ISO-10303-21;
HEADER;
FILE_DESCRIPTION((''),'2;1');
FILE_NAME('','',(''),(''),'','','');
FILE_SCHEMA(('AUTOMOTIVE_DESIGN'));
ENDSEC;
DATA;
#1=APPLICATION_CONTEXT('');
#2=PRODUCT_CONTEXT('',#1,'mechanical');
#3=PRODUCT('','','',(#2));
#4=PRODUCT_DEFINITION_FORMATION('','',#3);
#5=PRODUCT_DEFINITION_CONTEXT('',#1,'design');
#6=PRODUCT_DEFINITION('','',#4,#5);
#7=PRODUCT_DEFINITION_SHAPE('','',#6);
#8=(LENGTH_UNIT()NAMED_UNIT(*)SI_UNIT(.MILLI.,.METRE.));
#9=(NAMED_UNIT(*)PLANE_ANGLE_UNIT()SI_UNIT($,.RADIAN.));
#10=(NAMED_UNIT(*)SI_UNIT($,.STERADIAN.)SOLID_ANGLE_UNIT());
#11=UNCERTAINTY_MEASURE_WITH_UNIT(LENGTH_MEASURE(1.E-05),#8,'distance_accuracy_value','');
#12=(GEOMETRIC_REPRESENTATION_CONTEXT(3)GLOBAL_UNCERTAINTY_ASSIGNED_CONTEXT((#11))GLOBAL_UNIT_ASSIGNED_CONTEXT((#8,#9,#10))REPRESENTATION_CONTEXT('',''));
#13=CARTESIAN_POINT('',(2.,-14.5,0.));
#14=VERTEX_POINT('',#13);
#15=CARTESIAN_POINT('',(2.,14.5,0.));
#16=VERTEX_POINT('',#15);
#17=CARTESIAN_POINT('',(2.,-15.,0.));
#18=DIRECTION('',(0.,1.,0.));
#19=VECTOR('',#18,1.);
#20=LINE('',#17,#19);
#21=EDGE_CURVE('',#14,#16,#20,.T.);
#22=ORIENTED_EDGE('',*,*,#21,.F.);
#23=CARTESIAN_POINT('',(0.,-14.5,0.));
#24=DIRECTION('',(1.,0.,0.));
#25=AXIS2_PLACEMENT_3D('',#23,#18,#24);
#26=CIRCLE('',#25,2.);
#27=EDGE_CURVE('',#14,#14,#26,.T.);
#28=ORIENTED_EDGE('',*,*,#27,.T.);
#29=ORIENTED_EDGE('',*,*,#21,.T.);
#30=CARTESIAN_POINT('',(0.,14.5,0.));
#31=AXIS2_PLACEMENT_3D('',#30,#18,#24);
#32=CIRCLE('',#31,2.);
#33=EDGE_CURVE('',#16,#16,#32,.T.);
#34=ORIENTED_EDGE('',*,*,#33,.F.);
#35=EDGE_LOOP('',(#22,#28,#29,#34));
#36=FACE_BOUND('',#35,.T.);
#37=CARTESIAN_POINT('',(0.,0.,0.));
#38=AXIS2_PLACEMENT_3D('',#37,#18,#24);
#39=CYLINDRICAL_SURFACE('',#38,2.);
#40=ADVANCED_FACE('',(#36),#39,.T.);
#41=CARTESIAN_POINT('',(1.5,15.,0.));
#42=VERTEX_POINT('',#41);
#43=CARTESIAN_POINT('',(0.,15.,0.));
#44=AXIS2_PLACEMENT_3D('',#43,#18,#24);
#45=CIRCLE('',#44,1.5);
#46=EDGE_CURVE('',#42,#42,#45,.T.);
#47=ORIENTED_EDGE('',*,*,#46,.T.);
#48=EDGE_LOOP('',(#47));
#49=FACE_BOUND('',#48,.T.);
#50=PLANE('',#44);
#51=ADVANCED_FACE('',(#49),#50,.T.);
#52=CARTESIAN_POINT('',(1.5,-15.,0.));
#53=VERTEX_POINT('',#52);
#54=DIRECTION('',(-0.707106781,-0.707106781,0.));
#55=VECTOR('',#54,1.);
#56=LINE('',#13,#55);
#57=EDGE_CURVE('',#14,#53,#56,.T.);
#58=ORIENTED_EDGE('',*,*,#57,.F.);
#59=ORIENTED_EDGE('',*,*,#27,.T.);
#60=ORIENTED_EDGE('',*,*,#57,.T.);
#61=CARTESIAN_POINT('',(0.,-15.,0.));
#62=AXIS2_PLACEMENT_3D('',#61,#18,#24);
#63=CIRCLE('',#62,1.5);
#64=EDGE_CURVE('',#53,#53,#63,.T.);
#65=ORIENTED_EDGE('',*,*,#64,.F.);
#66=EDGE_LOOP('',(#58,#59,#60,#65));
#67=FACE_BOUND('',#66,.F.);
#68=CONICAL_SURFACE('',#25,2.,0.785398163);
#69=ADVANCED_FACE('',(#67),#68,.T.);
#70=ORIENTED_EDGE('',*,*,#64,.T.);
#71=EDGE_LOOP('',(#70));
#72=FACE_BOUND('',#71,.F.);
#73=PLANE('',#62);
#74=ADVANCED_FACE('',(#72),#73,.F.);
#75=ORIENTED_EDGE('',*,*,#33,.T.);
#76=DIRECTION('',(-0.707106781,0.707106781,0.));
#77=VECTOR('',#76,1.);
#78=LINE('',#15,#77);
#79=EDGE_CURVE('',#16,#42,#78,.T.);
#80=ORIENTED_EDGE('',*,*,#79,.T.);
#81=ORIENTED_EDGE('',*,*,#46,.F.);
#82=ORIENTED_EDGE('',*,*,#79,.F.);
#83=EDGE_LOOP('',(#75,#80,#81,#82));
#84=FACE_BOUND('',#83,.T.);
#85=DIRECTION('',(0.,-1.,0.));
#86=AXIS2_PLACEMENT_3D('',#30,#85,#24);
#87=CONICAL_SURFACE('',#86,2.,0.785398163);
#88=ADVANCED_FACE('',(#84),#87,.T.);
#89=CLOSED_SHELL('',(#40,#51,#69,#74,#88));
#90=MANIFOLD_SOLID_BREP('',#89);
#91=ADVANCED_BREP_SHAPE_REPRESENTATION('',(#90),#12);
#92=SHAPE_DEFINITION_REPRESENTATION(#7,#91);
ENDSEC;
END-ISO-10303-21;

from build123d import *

# Parameters (mm, degrees)
SKETCH1_R           = 2
BOSS_EXTRUDE1_DEPTH = 15
CHAMFER1_SIZE       = 0.5


with BuildPart() as part:
    # Sketch1 → Boss-Extrude1 (new body, symmetric)
    with BuildSketch(Plane(origin=(0, 0, 0), x_dir=(1, 0, 0), z_dir=(0, 1, 0))):
        Circle(SKETCH1_R)
    extrude(amount=BOSS_EXTRUDE1_DEPTH, both=True)

    # Chamfer1
    chamfer1_edges = [part.edges().sort_by_distance(p)[0] for p in [
        (-2, -15, 0),
        (-2, 15, 0),
    ]]
    chamfer(chamfer1_edges, length=CHAMFER1_SIZE)


solid = part.part
